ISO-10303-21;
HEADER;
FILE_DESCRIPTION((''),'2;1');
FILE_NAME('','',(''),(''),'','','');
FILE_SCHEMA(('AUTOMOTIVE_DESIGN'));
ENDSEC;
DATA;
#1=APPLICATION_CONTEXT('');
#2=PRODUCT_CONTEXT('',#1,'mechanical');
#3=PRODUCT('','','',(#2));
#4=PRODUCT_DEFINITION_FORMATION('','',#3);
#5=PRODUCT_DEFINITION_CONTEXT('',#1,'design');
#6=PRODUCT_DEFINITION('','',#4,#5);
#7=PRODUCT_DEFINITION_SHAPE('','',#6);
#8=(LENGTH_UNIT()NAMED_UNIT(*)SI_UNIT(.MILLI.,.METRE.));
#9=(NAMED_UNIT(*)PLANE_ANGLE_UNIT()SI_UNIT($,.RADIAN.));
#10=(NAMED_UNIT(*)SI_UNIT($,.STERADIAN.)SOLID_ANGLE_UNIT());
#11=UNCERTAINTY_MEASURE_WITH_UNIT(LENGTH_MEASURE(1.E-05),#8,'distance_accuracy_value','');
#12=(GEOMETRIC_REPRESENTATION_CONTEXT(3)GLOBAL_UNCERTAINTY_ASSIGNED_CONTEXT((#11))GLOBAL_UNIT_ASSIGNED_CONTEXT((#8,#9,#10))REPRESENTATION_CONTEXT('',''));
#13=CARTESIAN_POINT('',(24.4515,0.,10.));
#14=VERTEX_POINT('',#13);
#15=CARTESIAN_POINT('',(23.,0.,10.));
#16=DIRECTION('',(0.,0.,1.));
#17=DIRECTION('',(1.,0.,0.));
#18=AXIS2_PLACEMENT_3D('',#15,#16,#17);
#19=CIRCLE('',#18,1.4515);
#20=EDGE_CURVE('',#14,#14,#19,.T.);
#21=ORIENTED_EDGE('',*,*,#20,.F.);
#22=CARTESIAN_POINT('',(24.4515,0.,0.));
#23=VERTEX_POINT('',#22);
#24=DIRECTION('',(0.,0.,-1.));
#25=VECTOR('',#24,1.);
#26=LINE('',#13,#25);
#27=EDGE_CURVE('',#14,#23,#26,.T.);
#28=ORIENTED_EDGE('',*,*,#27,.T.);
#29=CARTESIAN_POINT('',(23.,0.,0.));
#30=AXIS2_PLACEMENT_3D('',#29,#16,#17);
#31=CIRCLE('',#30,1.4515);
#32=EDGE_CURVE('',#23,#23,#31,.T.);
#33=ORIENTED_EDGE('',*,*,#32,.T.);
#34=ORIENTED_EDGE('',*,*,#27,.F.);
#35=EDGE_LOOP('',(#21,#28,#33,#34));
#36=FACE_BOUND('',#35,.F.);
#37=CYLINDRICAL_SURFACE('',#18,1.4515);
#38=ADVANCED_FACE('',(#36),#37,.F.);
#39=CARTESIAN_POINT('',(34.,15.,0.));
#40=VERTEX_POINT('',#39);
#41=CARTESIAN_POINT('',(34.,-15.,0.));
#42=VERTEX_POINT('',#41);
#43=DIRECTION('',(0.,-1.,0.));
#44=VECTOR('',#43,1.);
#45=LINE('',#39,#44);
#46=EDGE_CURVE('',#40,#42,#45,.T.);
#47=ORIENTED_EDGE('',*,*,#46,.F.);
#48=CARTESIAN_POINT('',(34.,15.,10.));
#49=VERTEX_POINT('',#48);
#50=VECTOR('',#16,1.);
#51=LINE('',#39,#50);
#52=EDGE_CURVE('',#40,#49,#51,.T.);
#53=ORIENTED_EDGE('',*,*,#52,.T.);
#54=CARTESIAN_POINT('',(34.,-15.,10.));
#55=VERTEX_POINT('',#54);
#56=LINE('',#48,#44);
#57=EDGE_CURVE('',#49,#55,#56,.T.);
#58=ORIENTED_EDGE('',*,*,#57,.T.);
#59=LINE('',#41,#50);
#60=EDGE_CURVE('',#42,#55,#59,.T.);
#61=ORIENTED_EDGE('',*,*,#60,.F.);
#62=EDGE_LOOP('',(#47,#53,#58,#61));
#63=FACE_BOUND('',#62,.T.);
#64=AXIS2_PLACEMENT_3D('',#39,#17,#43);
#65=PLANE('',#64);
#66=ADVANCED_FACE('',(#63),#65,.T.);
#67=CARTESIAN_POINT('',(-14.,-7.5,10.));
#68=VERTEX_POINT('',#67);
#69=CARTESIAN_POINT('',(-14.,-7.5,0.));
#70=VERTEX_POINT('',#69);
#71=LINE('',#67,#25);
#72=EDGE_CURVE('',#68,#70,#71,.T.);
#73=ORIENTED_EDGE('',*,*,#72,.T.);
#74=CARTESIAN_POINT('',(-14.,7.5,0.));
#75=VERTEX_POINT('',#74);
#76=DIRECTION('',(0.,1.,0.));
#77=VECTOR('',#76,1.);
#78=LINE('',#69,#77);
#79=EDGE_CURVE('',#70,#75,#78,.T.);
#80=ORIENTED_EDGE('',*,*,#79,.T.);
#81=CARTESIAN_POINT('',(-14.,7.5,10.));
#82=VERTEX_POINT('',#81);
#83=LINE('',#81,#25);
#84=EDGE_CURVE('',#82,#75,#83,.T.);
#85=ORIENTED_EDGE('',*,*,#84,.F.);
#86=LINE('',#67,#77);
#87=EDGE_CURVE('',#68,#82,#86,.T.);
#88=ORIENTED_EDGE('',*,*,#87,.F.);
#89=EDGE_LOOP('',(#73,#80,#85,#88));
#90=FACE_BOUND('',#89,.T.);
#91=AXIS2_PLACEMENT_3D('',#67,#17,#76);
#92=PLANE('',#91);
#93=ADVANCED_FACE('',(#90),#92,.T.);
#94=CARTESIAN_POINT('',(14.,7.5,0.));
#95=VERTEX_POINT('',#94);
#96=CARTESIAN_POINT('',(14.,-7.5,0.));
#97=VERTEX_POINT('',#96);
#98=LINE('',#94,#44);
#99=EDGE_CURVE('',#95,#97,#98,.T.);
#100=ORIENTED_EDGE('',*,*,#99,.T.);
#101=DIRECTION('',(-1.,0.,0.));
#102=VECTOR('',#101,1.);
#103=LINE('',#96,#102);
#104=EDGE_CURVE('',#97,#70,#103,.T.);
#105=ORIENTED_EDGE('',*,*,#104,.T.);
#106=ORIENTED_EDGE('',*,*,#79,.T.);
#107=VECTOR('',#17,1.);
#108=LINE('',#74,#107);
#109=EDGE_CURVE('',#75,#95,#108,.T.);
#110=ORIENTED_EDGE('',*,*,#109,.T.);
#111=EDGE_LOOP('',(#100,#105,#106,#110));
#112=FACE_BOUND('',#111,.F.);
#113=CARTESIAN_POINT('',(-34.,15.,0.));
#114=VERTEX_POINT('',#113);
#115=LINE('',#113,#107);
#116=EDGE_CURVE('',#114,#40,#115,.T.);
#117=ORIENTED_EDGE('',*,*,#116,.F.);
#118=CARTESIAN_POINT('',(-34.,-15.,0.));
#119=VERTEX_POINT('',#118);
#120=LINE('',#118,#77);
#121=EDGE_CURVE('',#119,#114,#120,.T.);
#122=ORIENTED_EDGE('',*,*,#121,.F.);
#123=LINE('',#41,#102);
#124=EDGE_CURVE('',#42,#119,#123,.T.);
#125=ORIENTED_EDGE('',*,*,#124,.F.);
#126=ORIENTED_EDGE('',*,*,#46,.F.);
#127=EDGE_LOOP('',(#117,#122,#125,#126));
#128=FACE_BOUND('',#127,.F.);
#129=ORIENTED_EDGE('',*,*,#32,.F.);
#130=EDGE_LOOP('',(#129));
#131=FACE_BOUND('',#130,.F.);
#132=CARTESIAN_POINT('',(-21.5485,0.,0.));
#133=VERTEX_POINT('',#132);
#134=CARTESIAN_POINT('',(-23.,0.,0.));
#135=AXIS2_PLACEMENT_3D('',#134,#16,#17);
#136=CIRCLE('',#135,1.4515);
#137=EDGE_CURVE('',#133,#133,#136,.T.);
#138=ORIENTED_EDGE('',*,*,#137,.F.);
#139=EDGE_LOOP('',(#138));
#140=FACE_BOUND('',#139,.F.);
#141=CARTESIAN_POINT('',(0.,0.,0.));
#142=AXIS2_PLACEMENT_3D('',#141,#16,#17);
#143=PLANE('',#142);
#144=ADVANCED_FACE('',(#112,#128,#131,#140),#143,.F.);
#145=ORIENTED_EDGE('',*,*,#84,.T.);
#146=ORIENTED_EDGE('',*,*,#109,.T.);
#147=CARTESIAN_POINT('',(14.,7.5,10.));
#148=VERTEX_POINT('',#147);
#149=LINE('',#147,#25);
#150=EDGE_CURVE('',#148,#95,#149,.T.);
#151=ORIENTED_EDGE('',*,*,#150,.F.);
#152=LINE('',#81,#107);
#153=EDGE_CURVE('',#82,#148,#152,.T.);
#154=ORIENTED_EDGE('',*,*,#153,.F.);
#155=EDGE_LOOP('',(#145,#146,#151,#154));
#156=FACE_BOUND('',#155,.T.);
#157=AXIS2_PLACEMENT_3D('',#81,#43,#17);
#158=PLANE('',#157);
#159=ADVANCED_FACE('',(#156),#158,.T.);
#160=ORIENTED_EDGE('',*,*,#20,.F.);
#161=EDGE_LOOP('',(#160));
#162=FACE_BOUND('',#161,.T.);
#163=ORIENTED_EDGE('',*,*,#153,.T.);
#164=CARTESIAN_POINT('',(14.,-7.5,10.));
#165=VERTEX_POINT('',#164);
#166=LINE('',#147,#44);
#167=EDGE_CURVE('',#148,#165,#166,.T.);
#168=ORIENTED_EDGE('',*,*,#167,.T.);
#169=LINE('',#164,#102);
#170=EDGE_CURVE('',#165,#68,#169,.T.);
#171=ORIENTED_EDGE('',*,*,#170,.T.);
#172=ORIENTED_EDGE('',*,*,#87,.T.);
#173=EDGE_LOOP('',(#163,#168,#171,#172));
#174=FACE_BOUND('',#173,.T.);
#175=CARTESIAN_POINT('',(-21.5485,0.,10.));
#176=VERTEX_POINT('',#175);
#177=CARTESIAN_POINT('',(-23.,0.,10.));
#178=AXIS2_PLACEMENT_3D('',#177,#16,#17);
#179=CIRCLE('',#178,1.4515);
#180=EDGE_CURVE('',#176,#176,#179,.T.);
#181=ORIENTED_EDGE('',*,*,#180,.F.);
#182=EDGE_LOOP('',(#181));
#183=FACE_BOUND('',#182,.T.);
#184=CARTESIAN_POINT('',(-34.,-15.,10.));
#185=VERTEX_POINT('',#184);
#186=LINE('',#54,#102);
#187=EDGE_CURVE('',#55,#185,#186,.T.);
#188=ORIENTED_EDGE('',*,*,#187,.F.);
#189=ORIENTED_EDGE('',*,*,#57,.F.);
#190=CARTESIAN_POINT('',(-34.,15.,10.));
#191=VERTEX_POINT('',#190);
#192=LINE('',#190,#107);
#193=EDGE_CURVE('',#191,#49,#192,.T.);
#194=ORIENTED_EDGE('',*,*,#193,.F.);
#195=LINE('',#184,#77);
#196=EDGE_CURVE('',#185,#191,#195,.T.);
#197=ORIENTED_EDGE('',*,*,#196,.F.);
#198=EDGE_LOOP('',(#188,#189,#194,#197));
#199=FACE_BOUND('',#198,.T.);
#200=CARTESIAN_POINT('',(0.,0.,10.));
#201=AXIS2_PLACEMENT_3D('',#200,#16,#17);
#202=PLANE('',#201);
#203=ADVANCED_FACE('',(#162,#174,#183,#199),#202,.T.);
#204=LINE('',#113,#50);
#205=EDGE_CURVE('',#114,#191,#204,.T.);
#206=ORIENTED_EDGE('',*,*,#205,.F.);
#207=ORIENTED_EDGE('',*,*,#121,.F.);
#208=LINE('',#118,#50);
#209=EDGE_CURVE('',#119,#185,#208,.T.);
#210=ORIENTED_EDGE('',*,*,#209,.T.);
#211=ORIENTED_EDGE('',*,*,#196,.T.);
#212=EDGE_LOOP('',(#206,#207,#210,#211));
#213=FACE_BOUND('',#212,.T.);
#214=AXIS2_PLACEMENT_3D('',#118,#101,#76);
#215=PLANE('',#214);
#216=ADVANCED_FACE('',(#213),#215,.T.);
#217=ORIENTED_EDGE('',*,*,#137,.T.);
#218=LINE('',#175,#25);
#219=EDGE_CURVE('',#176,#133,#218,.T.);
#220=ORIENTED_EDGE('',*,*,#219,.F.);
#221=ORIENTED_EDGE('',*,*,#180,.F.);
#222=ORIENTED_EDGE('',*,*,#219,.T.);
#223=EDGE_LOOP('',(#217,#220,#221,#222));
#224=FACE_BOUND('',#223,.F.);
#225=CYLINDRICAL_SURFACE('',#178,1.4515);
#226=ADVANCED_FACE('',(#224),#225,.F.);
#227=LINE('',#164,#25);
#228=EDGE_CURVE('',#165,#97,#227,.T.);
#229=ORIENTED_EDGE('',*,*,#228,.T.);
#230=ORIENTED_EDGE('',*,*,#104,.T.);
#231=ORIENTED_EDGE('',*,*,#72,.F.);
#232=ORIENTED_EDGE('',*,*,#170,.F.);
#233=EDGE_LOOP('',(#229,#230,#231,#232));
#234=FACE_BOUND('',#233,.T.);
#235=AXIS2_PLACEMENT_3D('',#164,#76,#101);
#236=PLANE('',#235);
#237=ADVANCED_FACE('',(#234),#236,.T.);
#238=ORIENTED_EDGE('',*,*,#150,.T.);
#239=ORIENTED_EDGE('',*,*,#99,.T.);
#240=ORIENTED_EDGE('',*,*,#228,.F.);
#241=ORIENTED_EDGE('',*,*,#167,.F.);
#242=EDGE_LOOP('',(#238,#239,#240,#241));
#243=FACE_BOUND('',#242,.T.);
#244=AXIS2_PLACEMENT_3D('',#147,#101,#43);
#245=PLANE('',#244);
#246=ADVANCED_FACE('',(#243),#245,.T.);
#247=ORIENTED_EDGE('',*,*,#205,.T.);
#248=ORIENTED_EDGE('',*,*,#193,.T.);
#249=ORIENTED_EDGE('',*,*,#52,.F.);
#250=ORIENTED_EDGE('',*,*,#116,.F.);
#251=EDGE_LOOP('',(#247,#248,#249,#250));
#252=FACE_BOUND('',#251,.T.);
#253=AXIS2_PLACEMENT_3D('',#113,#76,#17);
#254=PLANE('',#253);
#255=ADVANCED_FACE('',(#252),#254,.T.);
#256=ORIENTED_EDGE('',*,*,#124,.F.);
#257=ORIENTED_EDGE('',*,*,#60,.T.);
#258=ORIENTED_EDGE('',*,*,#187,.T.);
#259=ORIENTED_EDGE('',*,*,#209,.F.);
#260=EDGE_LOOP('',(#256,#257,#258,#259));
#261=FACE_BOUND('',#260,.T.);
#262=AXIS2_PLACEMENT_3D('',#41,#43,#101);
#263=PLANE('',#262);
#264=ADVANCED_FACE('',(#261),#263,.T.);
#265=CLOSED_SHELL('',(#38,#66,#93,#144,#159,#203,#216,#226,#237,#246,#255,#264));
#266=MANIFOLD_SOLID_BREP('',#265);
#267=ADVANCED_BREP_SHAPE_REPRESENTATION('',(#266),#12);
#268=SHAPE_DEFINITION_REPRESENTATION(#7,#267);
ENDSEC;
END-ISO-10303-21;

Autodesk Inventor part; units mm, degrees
ref_plane "YZ Plane" through (0, 0, 0) normal (1, 0, 0) x (0, 1, 0)
ref_plane "XZ Plane" through (0, 0, 0) normal (0, 1, 0) x (-1, 0, 0)
ref_plane "XY Plane" through (0, 0, 0) normal (0, 0, 1) x (1, 0, 0)
sketch "Sketch1" plane through (0, 0, 0) normal (0, 0, 1) x (1, 0, 0)
  line L0 (-34, 15) -> (34, 15)
  line L1 (34, 15) -> (34, -15)
  line L2 (34, -15) -> (-34, -15)
  line L3 (-34, -15) -> (-34, 15)
  line L4 (-34, 15) -> (34, -15) construction
  line L5 (34, 15) -> (-34, -15) construction
  point P0 (0, 0)
  dimension "d0" = 68
  dimension "d1" = 30
extrude "Extrusion1" add sketch "Sketch1" along normal blind 10
sketch "Sketch2" plane through (0, 0, 10) normal (0, 0, 1) x (1, 0, 0)
  line L0 (-14, 7.5) -> (14, 7.5)
  line L1 (14, 7.5) -> (14, -7.5)
  line L2 (14, -7.5) -> (-14, -7.5)
  line L3 (-14, -7.5) -> (-14, 7.5)
  line L4 (-14, 7.5) -> (14, -7.5) construction
  line L5 (14, 7.5) -> (-14, -7.5) construction
  point P0 (0, 0)
  dimension "d4" = 28
  dimension "d5" = 15
extrude "Extrusion2" cut sketch "Sketch2" against normal blind 10
sketch "Sketch3" plane through (0, 0, 10) normal (0, 0, 1) x (1, 0, 0)
  circle A0 centre (-23, 0) radius 1.4515
  circle A1 centre (23, 0) radius 1.4515
  line L0 (-14, -7.5) -> (-14, 7.5) projected
  line L1 (14, 7.5) -> (14, -7.5) projected
  point P0 (0, 0)
  dimension "d8" = 2.903
  dimension "d9" = 2.903
  dimension "d10" = 9
  dimension "d11" = 9
extrude "Extrusion3" cut sketch "Sketch3" against normal blind 10
properties part number "1st arm closing"
